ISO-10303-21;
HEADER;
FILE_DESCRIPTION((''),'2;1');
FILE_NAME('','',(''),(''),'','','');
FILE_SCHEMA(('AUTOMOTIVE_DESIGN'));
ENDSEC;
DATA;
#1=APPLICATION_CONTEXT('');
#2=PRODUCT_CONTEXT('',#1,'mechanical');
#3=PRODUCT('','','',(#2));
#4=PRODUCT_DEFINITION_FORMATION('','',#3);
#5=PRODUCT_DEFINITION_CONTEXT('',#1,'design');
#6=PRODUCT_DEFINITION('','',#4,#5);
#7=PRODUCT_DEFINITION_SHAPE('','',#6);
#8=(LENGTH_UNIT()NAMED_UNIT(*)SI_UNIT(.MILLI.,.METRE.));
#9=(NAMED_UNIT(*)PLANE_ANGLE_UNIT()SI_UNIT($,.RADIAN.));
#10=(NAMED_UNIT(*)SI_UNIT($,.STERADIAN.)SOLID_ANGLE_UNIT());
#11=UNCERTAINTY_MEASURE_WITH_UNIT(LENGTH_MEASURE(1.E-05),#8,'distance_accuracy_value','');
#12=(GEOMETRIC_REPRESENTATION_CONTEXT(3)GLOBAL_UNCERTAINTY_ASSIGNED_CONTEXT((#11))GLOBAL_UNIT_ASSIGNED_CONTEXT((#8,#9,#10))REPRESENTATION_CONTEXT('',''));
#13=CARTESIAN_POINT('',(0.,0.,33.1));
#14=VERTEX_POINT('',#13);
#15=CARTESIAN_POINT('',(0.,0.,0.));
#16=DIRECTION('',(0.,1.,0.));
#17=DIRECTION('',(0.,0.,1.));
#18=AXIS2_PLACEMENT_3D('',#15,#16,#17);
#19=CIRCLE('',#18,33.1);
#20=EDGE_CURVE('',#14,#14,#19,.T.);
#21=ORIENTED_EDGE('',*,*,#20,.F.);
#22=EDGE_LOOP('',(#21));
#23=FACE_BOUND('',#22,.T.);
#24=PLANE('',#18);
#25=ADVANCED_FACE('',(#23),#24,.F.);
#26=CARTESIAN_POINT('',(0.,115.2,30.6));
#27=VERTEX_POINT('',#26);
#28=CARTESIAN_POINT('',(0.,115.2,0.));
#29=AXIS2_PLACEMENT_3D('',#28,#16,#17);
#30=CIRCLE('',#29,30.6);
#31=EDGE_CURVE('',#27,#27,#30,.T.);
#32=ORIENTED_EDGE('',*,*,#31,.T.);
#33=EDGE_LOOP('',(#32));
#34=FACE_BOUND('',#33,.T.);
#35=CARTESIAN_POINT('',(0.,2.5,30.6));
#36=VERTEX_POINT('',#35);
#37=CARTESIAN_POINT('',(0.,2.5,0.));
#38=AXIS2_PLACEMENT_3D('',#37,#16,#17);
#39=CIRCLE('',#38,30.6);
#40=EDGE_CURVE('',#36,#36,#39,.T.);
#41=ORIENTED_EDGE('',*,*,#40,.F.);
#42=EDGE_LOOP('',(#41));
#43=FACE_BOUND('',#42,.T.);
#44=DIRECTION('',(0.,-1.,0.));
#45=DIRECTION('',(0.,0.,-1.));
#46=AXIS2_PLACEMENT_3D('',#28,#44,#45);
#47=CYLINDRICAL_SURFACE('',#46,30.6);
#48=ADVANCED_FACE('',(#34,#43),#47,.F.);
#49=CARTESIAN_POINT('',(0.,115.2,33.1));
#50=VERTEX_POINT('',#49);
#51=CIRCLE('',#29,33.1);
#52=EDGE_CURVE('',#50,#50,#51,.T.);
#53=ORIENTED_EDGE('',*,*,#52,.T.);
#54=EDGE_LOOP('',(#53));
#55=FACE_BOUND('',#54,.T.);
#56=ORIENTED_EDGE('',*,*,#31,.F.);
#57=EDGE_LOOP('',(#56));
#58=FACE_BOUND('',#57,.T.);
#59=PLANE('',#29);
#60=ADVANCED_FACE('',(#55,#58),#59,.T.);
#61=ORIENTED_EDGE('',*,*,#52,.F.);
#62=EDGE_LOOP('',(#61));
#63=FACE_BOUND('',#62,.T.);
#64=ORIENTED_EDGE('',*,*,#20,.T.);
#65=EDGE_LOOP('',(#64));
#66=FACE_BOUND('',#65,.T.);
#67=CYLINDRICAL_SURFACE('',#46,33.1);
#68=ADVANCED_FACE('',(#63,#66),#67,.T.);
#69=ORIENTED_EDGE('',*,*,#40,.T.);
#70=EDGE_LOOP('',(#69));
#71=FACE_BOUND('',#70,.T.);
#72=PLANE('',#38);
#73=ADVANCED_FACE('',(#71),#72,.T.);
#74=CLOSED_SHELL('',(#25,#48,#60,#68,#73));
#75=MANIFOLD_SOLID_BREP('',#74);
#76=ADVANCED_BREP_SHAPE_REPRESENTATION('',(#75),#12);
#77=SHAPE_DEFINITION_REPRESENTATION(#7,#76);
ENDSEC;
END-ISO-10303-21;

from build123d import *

# Parameters (mm, degrees)
SKETCH1_R           = 33.1
BOSS_EXTRUDE1_DEPTH = 115.2
SHELL1_T            = 2.5
CUT_EXTRUDE1_START  = -30
SKETCH2_R           = 30.6
CUT_EXTRUDE1_DEPTH  = 30


with BuildPart() as part:
    # Sketch1 → Boss-Extrude1 (new body)
    with BuildSketch(Plane(origin=(0, 0, 0), x_dir=(1, 0, 0), z_dir=(0, 1, 0))):
        with Locations(Location((0, 0, 0), (0, 0, 270))):
            Circle(SKETCH1_R)
    extrude(amount=BOSS_EXTRUDE1_DEPTH)

    # Shell1 (no face opened: a closed hollow body)
    add(offset(amount=-SHELL1_T, mode=Mode.PRIVATE), mode=Mode.SUBTRACT)

    # Sketch2 → Cut-Extrude1 (cut)
    with BuildSketch(Plane(origin=(0, 115.2, 0), x_dir=(1, 0, 0), z_dir=(0, 1, 0)).offset(CUT_EXTRUDE1_START)):
        with Locations(Location((0, 0, 0), (0, 0, 270))):
            Circle(SKETCH2_R)
    extrude(amount=CUT_EXTRUDE1_DEPTH, mode=Mode.SUBTRACT)


solid = part.part
